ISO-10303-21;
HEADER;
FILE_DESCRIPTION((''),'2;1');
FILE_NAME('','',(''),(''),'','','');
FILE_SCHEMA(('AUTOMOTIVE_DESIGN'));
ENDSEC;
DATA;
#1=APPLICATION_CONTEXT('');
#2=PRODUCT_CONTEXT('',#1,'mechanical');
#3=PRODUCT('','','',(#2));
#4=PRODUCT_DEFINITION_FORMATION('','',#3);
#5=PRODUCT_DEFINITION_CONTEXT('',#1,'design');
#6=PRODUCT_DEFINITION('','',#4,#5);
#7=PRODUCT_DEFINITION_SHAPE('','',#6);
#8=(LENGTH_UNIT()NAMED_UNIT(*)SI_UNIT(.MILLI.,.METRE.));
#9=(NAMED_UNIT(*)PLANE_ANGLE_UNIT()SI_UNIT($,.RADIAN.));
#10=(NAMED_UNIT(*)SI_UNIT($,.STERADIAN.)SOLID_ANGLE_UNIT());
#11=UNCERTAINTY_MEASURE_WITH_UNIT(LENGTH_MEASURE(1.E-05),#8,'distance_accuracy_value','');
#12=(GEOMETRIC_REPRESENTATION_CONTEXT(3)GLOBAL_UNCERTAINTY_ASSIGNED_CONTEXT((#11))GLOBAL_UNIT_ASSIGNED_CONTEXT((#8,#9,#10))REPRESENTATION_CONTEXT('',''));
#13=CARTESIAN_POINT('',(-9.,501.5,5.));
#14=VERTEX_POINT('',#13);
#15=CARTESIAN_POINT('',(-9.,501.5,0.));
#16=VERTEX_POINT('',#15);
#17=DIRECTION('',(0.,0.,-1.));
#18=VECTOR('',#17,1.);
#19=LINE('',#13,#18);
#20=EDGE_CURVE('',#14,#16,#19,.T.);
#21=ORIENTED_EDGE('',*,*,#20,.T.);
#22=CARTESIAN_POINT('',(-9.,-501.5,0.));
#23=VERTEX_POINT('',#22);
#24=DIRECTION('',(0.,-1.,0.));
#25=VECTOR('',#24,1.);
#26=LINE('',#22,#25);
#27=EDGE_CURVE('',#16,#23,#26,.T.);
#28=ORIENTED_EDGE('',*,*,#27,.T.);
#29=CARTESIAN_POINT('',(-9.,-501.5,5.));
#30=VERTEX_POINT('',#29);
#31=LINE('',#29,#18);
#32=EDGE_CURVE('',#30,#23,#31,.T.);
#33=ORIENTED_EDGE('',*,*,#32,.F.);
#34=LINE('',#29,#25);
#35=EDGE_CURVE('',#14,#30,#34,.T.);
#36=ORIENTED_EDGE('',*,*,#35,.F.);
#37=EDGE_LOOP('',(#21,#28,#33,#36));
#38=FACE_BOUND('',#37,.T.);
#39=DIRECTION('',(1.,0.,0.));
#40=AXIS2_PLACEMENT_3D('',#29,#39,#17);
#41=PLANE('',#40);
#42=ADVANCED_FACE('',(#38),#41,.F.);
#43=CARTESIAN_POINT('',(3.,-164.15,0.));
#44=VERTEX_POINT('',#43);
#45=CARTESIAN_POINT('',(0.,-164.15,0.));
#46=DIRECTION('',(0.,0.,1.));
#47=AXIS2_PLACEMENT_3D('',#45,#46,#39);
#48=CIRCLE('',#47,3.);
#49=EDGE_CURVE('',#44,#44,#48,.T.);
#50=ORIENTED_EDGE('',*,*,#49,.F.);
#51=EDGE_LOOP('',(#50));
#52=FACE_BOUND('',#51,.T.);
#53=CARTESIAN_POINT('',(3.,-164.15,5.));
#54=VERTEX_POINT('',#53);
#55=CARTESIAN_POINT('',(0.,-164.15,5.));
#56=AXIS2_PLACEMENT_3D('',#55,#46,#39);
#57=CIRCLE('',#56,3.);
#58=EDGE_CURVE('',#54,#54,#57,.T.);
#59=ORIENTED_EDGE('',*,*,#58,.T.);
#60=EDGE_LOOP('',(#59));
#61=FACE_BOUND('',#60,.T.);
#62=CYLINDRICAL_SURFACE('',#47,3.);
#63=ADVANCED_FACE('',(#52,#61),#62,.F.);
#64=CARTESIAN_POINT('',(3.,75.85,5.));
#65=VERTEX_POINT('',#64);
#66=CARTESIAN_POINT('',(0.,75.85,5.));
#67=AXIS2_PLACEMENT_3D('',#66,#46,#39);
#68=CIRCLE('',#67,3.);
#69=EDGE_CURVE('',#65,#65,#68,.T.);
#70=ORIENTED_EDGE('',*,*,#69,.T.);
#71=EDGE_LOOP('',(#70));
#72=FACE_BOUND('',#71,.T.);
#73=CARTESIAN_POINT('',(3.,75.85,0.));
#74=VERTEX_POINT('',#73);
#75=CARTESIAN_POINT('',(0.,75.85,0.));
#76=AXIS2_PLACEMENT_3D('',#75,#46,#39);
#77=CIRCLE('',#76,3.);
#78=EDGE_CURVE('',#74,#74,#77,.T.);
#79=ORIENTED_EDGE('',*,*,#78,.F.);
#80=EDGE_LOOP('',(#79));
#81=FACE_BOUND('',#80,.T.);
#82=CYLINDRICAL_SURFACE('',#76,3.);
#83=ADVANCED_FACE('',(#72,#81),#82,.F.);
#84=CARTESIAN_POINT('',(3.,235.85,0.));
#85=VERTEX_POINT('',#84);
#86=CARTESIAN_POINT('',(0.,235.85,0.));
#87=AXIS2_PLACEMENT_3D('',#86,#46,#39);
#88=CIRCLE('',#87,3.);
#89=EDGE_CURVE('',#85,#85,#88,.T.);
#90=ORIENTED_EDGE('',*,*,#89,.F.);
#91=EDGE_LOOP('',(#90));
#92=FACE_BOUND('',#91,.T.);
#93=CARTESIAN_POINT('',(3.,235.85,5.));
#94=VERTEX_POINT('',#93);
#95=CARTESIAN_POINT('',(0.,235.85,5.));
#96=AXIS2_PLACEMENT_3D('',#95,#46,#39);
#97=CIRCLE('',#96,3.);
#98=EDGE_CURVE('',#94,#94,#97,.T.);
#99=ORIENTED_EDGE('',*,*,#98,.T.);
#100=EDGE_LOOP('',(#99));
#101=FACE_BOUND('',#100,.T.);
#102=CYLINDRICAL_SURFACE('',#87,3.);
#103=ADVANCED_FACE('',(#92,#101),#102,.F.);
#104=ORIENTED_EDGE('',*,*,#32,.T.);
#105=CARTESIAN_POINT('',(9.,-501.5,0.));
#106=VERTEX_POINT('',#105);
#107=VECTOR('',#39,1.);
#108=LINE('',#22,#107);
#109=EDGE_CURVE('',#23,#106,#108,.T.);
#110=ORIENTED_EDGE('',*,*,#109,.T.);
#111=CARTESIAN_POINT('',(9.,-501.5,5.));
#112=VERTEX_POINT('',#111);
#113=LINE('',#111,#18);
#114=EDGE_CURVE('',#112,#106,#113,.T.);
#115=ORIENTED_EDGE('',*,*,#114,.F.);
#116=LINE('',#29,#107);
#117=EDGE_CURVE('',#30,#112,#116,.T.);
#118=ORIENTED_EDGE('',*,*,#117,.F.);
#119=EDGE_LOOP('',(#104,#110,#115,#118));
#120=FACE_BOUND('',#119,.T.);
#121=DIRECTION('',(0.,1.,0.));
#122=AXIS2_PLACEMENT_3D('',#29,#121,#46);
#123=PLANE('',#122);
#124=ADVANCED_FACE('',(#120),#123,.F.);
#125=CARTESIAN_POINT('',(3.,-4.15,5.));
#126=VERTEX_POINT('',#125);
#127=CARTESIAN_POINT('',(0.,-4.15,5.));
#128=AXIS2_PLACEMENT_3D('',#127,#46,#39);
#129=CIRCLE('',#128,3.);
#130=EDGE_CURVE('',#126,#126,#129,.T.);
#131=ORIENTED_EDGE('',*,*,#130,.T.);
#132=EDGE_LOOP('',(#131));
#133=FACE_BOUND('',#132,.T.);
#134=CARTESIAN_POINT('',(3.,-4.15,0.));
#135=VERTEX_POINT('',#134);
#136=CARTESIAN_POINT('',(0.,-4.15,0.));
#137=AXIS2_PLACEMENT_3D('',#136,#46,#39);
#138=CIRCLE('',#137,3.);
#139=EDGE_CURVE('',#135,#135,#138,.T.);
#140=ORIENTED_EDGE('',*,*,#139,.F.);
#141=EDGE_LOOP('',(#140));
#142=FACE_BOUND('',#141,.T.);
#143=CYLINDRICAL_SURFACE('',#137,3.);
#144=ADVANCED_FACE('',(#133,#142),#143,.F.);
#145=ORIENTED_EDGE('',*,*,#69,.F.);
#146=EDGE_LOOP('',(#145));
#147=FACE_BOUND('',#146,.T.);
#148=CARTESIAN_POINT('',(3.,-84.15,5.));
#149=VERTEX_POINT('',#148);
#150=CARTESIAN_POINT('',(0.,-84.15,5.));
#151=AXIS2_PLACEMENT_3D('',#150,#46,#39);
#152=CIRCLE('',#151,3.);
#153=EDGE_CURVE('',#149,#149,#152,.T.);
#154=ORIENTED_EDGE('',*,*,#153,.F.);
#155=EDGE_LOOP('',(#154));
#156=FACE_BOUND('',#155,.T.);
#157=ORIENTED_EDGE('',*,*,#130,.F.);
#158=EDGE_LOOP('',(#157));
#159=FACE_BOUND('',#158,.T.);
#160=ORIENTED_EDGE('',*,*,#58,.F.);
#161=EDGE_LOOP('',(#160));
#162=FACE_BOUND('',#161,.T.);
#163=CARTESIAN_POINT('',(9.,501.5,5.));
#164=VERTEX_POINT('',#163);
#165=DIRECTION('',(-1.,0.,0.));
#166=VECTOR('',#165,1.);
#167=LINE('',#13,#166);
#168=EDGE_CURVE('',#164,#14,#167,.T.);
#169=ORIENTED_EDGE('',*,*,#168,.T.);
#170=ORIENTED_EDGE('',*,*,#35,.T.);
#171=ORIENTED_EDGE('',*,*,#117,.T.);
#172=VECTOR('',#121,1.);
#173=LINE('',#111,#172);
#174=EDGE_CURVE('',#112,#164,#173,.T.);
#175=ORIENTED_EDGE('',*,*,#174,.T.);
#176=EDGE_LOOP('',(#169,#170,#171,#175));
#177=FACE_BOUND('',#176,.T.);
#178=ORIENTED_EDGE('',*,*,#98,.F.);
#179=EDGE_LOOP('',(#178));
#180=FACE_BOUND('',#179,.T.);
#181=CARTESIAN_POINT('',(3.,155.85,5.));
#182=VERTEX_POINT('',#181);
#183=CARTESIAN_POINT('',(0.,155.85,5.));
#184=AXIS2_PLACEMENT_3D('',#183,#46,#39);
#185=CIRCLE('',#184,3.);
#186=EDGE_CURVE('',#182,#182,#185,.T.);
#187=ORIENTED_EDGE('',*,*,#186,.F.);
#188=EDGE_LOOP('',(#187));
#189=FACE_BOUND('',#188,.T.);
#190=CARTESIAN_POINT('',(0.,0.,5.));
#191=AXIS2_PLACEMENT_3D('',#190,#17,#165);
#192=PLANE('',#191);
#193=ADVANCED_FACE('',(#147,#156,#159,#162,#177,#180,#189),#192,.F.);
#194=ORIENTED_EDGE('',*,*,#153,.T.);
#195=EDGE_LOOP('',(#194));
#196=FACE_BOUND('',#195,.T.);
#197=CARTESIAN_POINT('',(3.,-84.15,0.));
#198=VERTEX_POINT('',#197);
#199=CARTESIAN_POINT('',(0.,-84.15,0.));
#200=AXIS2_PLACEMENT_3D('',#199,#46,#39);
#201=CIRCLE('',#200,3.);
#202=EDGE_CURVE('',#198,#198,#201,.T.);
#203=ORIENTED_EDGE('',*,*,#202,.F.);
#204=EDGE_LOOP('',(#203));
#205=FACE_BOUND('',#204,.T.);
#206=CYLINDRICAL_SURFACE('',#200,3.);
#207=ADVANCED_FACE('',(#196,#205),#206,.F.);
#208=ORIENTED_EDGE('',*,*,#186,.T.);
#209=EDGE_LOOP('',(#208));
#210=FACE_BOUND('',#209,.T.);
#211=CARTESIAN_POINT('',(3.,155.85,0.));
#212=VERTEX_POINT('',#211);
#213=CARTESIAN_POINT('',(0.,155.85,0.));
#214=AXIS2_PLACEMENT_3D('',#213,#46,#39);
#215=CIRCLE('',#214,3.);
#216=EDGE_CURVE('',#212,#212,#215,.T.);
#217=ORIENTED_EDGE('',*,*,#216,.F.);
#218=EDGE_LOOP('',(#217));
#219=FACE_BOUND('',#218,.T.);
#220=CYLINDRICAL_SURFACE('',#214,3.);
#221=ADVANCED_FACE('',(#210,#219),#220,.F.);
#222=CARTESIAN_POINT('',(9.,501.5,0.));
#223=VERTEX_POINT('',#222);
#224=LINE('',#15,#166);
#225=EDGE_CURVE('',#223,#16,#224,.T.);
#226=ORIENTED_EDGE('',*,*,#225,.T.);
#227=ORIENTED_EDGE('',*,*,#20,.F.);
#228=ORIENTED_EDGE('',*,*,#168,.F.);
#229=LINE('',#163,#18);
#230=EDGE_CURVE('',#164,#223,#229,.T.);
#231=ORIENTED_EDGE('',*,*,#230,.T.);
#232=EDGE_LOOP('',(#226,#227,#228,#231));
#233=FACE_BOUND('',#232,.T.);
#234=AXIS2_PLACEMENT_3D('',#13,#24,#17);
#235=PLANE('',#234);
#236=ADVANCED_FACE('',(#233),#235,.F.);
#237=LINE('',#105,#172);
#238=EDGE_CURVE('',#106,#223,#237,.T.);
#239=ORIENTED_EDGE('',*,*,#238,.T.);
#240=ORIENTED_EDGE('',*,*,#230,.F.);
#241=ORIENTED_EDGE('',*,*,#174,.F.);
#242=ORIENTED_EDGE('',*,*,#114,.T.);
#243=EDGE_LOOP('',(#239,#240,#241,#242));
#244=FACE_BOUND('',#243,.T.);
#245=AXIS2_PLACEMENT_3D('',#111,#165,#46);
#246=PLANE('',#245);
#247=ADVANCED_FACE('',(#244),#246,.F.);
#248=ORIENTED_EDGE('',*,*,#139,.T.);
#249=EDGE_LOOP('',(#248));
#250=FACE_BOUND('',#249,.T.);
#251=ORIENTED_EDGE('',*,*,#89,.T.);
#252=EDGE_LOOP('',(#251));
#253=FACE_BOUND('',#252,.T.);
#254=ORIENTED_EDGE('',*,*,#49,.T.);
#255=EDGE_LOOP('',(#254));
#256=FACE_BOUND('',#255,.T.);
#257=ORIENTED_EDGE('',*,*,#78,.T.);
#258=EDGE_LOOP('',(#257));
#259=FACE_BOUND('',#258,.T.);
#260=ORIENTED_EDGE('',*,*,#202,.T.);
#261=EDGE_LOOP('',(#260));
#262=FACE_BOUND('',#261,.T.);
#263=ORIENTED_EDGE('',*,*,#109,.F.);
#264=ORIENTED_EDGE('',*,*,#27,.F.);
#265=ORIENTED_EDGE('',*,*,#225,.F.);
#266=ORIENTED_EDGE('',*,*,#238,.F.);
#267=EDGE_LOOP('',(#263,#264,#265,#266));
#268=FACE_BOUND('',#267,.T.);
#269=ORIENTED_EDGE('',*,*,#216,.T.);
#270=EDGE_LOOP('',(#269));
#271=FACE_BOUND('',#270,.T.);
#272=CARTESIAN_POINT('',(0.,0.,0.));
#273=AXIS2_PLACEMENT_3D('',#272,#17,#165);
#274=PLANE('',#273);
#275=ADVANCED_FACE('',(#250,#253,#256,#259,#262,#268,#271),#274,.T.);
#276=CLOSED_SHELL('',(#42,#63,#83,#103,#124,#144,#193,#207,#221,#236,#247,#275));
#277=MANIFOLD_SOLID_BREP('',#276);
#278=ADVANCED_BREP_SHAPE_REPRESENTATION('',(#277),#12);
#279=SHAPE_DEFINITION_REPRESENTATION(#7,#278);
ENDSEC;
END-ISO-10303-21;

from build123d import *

# Parameters (mm, degrees)
SKETCH1_W           = 18
SKETCH1_H           = 1003
BOSS_EXTRUDE1_DEPTH = 5
SKETCH2_R           = 3
CUT_EXTRUDE1_DEPTH  = 5
LPATTERN1_COUNT     = 6
LPATTERN1_PITCH     = 80


with BuildPart() as part:
    # Sketch1 → Boss-Extrude1 (new body)
    with BuildSketch(Plane.XY):
        Rectangle(SKETCH1_W, SKETCH1_H)
    extrude(amount=BOSS_EXTRUDE1_DEPTH)

    # Sketch2 → Cut-Extrude1 (cut)
    with BuildSketch(Plane.XY.offset(5)):
        with Locations((0, 235.85)):
            Circle(SKETCH2_R)
    cut_extrude1 = extrude(amount=-CUT_EXTRUDE1_DEPTH, mode=Mode.SUBTRACT)

    # LPattern1: Cut-Extrude1 ×6
    with Locations(*[(0, -i * LPATTERN1_PITCH, 0) for i in range(1, LPATTERN1_COUNT)]):
        add(cut_extrude1, mode=Mode.SUBTRACT)


solid = part.part
